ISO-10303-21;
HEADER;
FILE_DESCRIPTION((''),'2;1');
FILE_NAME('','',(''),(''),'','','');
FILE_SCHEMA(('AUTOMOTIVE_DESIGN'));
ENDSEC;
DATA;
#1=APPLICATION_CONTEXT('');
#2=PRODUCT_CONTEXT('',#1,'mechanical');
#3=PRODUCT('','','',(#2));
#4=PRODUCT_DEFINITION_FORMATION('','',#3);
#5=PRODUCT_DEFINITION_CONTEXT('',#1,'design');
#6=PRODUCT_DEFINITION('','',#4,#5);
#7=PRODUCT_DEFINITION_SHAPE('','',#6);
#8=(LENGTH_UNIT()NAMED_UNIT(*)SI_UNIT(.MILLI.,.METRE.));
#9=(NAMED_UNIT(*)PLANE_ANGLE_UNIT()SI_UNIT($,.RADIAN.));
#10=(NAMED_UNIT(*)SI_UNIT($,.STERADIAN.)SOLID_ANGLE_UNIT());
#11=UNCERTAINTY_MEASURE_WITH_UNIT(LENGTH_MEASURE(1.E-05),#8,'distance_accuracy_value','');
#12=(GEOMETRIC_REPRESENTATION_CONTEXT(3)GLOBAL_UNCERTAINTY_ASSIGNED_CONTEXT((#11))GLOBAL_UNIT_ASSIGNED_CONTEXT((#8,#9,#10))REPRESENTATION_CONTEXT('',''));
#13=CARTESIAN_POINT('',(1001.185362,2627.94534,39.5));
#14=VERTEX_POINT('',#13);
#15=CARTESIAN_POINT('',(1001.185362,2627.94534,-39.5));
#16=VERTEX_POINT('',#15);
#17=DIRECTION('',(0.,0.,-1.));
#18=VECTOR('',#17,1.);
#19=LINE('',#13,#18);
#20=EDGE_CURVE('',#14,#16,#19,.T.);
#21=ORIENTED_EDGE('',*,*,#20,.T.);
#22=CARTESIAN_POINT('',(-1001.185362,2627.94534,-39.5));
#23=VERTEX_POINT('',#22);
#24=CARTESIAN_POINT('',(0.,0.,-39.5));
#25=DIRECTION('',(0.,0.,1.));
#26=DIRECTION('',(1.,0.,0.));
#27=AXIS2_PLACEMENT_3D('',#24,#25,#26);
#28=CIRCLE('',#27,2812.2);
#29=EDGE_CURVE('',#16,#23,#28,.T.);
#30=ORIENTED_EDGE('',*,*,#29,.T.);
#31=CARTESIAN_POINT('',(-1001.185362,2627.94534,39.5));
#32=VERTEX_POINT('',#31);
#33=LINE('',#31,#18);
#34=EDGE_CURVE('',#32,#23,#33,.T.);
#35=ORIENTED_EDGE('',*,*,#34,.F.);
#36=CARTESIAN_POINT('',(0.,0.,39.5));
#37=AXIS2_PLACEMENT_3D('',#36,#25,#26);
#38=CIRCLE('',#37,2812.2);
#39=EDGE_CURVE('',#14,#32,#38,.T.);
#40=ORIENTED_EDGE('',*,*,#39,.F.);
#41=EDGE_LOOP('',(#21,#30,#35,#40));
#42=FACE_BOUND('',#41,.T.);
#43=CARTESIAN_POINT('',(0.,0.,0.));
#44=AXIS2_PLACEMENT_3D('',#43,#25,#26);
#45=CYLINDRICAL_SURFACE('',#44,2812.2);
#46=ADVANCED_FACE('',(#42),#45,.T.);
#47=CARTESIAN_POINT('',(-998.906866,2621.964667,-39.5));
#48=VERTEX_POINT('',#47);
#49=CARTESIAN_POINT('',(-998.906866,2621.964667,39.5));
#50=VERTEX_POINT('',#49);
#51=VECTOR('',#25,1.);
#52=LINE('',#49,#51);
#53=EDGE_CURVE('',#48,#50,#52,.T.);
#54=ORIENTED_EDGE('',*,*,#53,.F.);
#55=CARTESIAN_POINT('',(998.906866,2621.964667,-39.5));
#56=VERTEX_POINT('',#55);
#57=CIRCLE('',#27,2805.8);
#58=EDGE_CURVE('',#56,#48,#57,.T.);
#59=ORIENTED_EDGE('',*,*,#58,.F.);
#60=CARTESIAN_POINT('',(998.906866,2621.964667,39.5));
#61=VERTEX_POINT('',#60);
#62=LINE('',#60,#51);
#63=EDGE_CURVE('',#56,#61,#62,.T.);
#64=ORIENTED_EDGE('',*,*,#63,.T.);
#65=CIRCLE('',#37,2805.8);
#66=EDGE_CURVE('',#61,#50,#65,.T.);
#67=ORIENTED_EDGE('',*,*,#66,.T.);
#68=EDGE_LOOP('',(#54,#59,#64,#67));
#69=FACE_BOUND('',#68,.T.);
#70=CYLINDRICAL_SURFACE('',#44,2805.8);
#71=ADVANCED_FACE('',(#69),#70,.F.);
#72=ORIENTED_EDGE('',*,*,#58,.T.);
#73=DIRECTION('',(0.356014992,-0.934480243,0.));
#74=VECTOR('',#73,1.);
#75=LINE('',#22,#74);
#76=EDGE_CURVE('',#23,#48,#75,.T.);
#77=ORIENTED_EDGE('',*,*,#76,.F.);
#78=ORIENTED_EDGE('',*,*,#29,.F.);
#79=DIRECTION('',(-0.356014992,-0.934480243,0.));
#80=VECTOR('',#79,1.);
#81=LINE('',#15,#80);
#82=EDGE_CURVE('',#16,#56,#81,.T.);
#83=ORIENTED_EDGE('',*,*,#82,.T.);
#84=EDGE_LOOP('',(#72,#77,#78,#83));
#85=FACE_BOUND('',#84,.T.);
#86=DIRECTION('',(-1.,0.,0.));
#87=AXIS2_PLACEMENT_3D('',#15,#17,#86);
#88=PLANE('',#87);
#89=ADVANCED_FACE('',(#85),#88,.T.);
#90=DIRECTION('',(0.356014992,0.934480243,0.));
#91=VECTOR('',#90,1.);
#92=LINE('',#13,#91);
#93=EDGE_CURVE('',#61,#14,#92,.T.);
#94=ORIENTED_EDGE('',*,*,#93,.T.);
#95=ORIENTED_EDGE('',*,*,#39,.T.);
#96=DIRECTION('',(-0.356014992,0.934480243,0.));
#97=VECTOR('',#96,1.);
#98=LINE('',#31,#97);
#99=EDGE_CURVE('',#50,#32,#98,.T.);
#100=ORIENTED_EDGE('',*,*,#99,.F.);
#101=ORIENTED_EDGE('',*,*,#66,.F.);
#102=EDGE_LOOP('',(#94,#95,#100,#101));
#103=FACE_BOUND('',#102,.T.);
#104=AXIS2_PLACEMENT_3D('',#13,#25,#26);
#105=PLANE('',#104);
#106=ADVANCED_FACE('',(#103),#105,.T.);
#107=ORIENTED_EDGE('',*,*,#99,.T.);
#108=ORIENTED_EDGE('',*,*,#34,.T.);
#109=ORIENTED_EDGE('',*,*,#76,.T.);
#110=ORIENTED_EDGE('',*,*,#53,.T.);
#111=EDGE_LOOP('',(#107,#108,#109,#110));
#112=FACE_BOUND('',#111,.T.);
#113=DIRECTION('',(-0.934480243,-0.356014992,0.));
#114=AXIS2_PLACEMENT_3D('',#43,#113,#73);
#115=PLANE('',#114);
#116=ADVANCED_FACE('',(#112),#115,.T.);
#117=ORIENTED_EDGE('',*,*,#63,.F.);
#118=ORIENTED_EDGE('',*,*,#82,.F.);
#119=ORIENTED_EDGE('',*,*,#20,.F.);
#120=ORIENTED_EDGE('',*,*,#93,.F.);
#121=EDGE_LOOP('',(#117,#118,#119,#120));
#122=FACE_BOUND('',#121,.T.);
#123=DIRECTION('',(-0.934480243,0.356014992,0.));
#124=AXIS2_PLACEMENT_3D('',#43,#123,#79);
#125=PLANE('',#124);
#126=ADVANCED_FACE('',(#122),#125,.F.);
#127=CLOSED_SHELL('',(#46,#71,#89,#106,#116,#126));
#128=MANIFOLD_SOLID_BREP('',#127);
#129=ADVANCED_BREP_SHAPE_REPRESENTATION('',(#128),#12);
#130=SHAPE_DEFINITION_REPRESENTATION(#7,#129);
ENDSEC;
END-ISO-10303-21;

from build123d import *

# Parameters (mm, degrees)
SKETCH2_W = 6.4
SKETCH2_H = 79


with BuildPart() as part:
    # Sweep1: sweep along a path in Sketch1
    with BuildLine(Plane.XY) as sweep1_path:
        ThreePointArc((-1000, 2624.833962881), (0, 2808.870472751), (1000, 2624.833962881))
    # Sketch2 → Sweep1 (sweep)
    with BuildSketch(Plane(origin=(0, 0, 0), x_dir=(0.356014992, -0.934480243, 0), z_dir=(-0.934480243, -0.356014992, 0))):
        with Locations((-2809, 0)):
            Rectangle(SKETCH2_W, SKETCH2_H)
    sweep(path=sweep1_path.line)


solid = part.part
